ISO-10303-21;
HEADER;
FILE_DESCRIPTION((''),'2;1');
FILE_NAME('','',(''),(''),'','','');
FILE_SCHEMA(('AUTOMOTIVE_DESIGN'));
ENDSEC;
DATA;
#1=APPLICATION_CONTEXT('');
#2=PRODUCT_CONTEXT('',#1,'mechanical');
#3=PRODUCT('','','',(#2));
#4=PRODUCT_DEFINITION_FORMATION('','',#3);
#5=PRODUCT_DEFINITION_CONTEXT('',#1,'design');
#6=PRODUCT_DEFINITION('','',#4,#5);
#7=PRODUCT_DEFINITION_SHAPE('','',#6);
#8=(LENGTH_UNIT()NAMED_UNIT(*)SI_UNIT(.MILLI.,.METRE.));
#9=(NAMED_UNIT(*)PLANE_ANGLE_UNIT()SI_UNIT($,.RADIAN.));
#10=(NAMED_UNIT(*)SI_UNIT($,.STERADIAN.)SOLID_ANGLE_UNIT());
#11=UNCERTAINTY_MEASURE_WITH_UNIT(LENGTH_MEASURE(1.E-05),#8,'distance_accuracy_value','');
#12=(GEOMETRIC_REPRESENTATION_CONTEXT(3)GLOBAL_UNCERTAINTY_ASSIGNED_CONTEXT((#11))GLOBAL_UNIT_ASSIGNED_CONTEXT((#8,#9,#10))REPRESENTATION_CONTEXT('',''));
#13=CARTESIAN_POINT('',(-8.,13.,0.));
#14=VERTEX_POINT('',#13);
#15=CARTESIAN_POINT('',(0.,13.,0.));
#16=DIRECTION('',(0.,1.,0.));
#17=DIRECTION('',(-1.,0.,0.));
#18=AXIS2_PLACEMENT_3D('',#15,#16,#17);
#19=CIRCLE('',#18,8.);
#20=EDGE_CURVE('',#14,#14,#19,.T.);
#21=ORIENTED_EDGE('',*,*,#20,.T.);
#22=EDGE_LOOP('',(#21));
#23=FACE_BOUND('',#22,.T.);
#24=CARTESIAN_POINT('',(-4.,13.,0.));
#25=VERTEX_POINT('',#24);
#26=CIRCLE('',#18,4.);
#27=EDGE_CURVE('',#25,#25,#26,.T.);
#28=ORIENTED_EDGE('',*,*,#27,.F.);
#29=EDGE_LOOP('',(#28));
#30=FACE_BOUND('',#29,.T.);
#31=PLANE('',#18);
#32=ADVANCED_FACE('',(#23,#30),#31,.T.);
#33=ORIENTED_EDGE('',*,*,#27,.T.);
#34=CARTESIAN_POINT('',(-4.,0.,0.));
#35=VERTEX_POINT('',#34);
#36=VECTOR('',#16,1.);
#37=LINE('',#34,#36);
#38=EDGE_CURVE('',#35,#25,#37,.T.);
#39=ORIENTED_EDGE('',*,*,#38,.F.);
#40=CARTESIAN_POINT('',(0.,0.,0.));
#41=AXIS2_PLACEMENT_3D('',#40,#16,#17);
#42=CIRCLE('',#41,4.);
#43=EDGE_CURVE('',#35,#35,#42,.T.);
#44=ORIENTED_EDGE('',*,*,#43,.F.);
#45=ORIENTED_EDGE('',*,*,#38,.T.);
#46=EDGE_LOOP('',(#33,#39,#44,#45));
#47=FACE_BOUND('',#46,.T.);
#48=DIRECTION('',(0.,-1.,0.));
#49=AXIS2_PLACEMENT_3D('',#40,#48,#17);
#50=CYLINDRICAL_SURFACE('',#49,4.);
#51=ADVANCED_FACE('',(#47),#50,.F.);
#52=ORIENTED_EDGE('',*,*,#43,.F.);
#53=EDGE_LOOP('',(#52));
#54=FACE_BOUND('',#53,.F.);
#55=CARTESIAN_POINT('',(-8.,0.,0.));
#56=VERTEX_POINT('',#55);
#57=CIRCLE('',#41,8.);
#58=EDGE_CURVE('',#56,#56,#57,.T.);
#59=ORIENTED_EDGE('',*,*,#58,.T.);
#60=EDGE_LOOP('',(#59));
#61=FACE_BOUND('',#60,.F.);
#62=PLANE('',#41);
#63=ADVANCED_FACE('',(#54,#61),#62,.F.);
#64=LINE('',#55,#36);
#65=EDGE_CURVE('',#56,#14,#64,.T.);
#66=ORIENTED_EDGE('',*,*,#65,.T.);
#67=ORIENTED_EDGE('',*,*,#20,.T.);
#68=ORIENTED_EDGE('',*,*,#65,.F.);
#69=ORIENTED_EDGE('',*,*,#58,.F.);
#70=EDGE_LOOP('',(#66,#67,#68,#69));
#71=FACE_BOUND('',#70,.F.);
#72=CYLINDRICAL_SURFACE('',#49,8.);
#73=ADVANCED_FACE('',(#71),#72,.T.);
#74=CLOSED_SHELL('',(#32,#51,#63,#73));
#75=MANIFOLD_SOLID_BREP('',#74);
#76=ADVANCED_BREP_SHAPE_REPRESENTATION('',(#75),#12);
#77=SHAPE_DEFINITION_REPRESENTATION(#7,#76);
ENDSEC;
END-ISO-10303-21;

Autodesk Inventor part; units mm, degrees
ref_plane "YZ Plane" through (0, 0, 0) normal (1, 0, 0) x (0, 1, 0)
ref_plane "XZ Plane" through (0, 0, 0) normal (0, 1, 0) x (-1, 0, 0)
ref_plane "XY Plane" through (0, 0, 0) normal (0, 0, 1) x (1, 0, 0)
sketch "Sketch1" plane through (0, 0, 0) normal (0, 1, 0) x (-1, 0, 0)
  circle A0 centre (0, 0) radius 8
  circle A1 centre (0, 0) radius 4
  dimension "d0" = 16
  dimension "d1" = 8
extrude "Extrusion1" add sketch "Sketch1" along normal blind 13
properties part number "base-bearing-spacer_3DPrint"
